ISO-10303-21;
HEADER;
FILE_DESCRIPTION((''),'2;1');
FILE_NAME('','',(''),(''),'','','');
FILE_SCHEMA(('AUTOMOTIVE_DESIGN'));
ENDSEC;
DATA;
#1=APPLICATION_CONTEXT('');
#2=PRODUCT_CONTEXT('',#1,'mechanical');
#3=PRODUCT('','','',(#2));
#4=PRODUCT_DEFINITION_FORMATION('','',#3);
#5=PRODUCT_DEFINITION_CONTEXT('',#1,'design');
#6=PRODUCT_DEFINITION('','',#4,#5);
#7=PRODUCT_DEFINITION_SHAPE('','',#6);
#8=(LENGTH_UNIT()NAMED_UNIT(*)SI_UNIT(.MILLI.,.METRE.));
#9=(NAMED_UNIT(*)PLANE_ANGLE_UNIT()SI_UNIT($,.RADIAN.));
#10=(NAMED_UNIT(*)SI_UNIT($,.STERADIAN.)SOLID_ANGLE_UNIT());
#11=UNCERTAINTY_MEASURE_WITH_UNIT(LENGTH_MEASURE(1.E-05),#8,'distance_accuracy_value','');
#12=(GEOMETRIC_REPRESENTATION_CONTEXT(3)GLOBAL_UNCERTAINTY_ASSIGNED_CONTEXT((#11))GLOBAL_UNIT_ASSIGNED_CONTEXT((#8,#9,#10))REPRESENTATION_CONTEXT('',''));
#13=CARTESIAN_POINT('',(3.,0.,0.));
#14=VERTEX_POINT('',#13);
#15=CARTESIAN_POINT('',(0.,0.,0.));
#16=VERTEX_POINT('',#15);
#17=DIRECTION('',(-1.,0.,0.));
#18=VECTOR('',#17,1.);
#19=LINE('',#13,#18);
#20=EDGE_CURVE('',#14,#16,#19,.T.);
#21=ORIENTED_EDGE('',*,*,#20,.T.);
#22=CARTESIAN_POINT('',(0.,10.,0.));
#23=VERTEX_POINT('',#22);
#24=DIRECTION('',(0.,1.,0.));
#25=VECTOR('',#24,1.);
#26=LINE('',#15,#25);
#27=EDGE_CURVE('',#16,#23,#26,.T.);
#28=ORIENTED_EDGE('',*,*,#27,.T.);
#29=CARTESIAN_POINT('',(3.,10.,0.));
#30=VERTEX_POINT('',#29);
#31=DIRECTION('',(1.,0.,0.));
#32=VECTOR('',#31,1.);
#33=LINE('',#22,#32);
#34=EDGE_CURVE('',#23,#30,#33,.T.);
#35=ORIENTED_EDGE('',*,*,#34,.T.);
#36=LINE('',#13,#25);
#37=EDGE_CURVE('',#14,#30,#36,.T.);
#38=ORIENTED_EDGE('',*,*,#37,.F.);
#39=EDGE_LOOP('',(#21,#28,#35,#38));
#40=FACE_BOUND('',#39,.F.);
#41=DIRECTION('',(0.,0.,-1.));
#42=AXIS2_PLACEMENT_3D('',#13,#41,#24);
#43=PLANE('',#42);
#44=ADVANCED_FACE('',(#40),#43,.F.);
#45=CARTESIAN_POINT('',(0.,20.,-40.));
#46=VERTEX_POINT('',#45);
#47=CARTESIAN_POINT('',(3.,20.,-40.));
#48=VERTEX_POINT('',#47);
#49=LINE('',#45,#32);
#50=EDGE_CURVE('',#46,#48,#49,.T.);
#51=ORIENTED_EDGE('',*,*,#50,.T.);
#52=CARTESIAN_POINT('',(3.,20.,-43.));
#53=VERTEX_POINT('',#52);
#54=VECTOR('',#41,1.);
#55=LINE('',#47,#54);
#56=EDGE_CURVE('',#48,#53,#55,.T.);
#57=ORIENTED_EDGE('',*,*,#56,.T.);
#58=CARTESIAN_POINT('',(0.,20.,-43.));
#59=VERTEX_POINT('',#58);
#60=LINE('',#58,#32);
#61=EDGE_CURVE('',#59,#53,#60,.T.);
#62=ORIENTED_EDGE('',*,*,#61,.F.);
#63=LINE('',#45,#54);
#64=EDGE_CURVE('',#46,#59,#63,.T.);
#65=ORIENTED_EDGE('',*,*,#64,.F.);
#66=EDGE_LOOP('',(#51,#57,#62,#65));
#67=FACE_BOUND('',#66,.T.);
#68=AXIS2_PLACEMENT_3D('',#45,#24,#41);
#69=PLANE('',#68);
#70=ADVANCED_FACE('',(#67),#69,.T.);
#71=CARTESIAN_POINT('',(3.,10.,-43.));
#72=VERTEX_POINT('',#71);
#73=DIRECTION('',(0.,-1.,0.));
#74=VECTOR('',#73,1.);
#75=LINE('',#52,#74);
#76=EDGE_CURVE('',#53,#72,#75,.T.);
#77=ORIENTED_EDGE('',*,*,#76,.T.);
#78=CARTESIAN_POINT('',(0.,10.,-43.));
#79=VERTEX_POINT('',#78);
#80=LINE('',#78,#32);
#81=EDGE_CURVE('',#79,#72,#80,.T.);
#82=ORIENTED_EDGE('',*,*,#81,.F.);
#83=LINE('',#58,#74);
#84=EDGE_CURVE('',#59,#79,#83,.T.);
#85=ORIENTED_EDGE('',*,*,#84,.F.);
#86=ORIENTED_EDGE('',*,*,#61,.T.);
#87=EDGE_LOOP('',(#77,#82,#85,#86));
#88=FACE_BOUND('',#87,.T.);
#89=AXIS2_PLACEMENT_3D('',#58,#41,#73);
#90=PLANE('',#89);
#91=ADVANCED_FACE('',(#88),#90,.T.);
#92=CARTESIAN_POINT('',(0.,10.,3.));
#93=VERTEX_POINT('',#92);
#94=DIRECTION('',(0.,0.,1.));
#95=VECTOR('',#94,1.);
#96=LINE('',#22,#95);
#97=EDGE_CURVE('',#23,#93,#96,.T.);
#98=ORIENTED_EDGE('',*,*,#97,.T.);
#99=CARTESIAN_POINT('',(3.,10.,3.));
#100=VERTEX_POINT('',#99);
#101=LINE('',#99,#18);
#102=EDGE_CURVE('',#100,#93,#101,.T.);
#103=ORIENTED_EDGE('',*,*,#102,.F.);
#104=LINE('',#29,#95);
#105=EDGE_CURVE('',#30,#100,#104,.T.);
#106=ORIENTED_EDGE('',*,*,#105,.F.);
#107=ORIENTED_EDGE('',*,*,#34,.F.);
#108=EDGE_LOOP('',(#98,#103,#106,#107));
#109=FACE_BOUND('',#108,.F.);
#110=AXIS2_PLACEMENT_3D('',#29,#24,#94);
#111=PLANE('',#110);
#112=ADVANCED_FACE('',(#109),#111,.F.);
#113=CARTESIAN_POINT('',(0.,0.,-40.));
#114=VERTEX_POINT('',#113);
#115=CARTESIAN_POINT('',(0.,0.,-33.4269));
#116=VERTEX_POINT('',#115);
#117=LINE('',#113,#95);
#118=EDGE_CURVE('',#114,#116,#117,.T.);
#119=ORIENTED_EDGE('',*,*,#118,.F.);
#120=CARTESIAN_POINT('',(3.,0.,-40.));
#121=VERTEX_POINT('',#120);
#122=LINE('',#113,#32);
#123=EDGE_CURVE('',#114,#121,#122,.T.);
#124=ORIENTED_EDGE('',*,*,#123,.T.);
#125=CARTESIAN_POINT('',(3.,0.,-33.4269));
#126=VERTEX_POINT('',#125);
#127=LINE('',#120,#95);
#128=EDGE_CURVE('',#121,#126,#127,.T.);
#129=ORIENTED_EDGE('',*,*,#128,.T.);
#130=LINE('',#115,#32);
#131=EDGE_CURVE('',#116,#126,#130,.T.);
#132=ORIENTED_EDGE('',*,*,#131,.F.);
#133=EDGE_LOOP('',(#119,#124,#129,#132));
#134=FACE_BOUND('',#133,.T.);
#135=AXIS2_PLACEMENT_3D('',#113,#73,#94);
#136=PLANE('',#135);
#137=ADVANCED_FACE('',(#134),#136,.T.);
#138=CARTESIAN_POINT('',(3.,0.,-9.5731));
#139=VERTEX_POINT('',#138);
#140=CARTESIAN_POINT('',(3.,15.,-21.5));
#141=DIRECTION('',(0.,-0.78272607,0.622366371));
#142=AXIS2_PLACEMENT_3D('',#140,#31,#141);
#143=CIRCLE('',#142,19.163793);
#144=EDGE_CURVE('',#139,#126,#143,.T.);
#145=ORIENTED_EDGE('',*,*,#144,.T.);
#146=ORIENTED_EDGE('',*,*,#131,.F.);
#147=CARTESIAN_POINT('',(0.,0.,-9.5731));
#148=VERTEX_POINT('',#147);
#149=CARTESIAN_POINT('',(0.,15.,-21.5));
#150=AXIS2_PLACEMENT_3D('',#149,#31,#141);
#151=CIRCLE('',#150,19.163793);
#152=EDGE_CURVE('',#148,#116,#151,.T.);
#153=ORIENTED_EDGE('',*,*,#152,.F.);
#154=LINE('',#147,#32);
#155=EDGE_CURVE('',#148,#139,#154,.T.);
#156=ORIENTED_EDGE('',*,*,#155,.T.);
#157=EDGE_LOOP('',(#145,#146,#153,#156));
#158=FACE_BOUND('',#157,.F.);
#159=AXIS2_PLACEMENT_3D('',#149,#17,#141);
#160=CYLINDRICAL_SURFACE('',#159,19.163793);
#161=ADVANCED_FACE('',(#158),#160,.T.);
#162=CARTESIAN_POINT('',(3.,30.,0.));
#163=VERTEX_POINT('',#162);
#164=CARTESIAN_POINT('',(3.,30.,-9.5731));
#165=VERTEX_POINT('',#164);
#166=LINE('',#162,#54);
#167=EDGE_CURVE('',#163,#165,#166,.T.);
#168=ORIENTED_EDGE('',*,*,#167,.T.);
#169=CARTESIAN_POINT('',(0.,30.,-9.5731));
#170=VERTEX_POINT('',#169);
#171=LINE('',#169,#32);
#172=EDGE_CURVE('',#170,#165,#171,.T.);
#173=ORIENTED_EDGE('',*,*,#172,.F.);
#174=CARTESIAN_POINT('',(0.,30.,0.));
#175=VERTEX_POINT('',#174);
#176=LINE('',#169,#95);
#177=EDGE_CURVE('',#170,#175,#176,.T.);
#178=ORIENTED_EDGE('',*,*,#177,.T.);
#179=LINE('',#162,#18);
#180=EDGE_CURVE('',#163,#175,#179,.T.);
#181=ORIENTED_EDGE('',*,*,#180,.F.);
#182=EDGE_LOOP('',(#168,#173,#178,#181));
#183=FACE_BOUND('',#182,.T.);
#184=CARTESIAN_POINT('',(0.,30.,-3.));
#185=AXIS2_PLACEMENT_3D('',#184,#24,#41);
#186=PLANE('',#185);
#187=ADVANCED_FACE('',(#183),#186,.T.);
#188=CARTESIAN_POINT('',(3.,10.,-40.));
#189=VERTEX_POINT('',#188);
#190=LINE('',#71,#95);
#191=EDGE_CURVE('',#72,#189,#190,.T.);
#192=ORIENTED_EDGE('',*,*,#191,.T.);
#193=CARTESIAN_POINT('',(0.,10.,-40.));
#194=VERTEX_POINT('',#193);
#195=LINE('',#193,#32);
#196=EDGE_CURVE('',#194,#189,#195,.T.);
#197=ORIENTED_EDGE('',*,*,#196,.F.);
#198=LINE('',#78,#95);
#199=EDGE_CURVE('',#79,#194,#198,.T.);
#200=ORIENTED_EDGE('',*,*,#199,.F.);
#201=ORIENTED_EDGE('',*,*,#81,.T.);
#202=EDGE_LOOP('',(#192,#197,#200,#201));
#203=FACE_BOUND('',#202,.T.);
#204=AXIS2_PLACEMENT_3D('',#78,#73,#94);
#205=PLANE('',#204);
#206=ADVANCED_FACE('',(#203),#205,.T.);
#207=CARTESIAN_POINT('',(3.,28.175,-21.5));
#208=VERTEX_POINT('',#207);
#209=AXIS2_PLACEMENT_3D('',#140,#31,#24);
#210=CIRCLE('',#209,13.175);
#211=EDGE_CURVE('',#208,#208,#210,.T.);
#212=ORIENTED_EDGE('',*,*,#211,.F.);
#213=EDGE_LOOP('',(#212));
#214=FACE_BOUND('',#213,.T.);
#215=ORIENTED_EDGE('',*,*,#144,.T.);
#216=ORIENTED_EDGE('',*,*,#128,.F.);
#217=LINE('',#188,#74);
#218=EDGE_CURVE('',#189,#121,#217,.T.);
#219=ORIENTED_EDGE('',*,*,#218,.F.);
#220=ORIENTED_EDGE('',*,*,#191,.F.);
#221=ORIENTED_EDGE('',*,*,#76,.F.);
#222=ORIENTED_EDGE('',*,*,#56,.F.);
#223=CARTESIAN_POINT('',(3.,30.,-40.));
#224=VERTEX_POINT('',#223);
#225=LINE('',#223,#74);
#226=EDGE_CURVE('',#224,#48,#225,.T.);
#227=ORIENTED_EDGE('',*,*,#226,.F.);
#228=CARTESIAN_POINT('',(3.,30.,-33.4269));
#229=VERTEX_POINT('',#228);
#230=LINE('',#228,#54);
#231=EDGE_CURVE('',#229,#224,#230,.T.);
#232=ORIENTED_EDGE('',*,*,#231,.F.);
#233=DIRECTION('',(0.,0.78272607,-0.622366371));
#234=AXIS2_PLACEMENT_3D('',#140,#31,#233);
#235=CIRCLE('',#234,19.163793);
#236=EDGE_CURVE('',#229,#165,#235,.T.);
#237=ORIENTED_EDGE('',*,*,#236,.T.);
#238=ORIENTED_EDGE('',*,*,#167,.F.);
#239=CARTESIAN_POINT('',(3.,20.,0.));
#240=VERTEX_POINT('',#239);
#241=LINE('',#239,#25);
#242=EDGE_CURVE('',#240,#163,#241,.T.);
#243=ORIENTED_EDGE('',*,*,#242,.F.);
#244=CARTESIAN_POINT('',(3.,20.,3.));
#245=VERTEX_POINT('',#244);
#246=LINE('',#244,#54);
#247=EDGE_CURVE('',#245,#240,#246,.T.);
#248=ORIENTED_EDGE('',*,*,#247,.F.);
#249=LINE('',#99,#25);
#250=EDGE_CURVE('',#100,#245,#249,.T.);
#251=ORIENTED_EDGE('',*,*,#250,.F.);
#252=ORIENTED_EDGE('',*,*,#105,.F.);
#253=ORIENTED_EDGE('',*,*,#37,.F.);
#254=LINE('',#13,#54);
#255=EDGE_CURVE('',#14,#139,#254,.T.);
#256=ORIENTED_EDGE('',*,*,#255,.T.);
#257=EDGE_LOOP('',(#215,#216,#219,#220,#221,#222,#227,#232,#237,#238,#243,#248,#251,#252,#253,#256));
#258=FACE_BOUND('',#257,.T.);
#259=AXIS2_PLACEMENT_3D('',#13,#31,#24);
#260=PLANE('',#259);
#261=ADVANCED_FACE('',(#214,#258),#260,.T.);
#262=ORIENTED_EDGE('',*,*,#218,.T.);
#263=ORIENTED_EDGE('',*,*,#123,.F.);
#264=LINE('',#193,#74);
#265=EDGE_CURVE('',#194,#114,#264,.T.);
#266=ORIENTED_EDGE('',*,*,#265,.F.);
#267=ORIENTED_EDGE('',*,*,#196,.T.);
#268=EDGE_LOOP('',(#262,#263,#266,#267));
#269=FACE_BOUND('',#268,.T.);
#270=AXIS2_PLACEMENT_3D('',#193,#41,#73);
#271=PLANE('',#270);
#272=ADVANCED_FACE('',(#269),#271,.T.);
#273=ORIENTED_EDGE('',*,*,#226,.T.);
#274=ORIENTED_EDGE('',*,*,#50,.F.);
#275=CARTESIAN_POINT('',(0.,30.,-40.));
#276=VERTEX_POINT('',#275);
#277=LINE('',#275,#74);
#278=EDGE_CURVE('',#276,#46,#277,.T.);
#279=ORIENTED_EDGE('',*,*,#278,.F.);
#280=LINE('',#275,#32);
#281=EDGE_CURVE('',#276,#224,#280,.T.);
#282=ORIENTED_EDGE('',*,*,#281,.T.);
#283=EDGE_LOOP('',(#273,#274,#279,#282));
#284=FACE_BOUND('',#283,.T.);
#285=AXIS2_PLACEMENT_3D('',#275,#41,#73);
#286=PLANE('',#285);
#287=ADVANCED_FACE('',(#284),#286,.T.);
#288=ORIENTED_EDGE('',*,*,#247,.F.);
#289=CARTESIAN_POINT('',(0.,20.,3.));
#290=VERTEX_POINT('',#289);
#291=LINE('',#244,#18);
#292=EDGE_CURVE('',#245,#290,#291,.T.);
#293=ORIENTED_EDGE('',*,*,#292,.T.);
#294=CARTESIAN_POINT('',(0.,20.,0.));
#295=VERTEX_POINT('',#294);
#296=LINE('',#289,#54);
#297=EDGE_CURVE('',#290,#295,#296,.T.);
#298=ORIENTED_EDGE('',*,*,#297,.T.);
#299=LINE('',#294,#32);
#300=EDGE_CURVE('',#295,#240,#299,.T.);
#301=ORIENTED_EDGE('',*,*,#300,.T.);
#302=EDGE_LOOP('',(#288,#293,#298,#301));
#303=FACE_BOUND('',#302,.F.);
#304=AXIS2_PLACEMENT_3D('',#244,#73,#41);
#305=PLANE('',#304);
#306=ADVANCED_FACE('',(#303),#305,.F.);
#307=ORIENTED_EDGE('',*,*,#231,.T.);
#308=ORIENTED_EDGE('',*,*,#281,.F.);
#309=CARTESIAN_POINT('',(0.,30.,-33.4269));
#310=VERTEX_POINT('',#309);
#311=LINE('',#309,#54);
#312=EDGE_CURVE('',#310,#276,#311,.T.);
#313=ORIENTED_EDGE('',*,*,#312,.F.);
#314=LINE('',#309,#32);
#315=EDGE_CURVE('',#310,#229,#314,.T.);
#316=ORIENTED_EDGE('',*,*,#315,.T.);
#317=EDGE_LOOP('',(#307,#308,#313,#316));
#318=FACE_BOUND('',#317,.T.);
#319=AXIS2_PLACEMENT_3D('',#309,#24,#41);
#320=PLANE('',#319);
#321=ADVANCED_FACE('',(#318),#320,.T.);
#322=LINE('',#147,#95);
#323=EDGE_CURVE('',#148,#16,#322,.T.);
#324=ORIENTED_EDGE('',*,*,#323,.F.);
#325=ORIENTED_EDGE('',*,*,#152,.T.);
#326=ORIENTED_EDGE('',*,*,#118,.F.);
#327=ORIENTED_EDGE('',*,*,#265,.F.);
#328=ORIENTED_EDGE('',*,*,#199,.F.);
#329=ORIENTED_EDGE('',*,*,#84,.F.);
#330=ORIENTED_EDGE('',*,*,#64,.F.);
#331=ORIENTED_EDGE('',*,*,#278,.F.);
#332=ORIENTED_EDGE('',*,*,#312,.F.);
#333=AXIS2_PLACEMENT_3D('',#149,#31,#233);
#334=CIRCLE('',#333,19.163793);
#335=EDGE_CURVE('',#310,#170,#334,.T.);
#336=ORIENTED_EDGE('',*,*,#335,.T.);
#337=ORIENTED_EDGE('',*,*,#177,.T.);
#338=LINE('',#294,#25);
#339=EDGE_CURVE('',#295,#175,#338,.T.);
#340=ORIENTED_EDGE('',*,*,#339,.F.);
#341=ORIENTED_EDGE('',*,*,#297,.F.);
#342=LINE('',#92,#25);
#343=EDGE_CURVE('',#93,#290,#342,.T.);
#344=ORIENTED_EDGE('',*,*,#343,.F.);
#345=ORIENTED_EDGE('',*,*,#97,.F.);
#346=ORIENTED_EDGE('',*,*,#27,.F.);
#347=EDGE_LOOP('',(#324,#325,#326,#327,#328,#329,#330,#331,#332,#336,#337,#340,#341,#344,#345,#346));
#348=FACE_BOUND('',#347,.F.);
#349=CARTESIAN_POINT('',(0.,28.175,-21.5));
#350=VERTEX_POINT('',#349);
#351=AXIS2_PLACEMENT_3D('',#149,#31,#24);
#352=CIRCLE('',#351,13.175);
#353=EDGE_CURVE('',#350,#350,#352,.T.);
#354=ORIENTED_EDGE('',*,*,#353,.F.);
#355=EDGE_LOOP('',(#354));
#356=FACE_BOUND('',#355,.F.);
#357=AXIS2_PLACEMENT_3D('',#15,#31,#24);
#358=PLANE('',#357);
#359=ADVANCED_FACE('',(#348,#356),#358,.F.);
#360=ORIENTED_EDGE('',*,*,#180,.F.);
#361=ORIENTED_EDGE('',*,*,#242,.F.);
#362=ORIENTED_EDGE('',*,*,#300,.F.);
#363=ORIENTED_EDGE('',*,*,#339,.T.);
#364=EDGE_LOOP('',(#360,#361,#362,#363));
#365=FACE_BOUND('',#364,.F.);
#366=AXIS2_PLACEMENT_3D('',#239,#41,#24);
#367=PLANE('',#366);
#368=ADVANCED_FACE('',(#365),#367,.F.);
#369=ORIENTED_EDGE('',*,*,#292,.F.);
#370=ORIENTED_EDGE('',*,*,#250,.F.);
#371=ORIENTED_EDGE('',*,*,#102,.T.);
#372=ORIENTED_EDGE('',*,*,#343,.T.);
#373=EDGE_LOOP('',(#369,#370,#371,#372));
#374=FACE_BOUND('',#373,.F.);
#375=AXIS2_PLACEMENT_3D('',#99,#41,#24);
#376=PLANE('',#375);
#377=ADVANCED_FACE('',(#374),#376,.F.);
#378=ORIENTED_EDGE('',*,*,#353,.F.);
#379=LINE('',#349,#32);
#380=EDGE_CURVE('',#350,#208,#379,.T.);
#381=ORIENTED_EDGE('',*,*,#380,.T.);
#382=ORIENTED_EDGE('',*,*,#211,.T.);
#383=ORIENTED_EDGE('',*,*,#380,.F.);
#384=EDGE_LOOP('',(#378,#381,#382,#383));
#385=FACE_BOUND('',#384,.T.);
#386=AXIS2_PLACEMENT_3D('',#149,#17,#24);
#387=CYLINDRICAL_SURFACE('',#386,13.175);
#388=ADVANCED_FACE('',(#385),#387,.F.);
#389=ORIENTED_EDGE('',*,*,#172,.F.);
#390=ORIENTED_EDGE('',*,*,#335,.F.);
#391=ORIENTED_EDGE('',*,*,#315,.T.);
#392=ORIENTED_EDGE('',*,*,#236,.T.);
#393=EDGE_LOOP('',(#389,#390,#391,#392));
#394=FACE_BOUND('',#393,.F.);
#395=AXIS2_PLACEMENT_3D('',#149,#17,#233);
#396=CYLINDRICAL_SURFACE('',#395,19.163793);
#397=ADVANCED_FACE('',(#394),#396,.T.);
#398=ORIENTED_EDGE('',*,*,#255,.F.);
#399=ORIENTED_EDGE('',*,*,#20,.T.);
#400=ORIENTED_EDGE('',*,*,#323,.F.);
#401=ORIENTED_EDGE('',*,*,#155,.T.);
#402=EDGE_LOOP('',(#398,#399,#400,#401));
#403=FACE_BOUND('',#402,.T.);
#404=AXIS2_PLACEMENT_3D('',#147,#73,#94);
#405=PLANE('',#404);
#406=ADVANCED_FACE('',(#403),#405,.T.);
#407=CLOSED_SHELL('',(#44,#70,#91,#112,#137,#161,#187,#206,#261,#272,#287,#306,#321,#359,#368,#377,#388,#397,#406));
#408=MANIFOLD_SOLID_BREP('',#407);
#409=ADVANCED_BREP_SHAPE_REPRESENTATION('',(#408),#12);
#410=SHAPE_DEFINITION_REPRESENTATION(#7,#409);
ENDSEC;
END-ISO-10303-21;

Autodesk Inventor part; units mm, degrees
ref_plane "YZ Plane" through (0, 0, 0) normal (1, 0, 0) x (0, 1, 0)
ref_plane "XZ Plane" through (0, 0, 0) normal (0, 1, 0) x (-1, 0, 0)
ref_plane "XY Plane" through (0, 0, 0) normal (0, 0, 1) x (1, 0, 0)
sketch "Boceto1" plane through (0, 0, 0) normal (1, 0, 0) x (0, 1, 0)
  line L0 (0, 0) -> (0, -3)
  line L1 (0, -3) -> (10, -3)
  line L2 (10, -3) -> (10, 0)
  line L3 (10, 0) -> (20, 0)
  line L4 (20, 0) -> (20, -3)
  line L5 (20, -3) -> (30, -3)
  line L6 (30, -33.4269) -> (30, -40)
  line L7 (30, -40) -> (20, -40)
  line L8 (20, -40) -> (20, -43)
  line L9 (20, -43) -> (10, -43)
  line L10 (10, -43) -> (10, -40)
  line L11 (10, -40) -> (0, -40)
  circle A0 centre (15, -21.5) radius 13.175
  arc A1 (0, -9.5731) -> (0, -33.4269) centre (15, -21.5) ccw
  arc A2 (30, -33.4269) -> (30, -9.5731) centre (15, -21.5) ccw
  line L12 (0, -40) -> (0, -33.4269)
  line L13 (0, -9.5731) -> (0, -3)
  line L14 (30, -3) -> (30, -9.5731)
  dimension "d1" = 10
  dimension "d2" = 10
  dimension "d3" = 10
extrude "Extrusión1" add sketch "Boceto1" along normal blind 3
sketch "Boceto2" plane through (3, 0, 0) normal (1, 0, 0) x (0, 0, -1)
  line L0 (3, 10) -> (3, 0) projected
  line L1 (3, 0) -> (0, 0)
  line L2 (0, 20) -> (0, 10) projected
  line L3 (0, 0) -> (0, 10)
  line L4 (0, 10) -> (-3, 10)
  line L5 (-3, 10) -> (-3, 20)
  line L6 (-3, 20) -> (0, 20)
  line L7 (0, 20) -> (0, 30)
  line L8 (3, 30) -> (3, 20) projected
  line L9 (0, 30) -> (3, 30)
  line L10 (3, 30) -> (3, 20)
  line L11 (3, 20) -> (0, 20) projected
  line L12 (3, 20) -> (0, 20)
  line L13 (0, 20) -> (0, 10)
  line L14 (0, 10) -> (3, 10)
  line L15 (3, 0) -> (3, 10)
  dimension "d11" = 3
extrude "Extrusión2" add sketch "Boceto2" against normal blind 3
properties part number "cod"
